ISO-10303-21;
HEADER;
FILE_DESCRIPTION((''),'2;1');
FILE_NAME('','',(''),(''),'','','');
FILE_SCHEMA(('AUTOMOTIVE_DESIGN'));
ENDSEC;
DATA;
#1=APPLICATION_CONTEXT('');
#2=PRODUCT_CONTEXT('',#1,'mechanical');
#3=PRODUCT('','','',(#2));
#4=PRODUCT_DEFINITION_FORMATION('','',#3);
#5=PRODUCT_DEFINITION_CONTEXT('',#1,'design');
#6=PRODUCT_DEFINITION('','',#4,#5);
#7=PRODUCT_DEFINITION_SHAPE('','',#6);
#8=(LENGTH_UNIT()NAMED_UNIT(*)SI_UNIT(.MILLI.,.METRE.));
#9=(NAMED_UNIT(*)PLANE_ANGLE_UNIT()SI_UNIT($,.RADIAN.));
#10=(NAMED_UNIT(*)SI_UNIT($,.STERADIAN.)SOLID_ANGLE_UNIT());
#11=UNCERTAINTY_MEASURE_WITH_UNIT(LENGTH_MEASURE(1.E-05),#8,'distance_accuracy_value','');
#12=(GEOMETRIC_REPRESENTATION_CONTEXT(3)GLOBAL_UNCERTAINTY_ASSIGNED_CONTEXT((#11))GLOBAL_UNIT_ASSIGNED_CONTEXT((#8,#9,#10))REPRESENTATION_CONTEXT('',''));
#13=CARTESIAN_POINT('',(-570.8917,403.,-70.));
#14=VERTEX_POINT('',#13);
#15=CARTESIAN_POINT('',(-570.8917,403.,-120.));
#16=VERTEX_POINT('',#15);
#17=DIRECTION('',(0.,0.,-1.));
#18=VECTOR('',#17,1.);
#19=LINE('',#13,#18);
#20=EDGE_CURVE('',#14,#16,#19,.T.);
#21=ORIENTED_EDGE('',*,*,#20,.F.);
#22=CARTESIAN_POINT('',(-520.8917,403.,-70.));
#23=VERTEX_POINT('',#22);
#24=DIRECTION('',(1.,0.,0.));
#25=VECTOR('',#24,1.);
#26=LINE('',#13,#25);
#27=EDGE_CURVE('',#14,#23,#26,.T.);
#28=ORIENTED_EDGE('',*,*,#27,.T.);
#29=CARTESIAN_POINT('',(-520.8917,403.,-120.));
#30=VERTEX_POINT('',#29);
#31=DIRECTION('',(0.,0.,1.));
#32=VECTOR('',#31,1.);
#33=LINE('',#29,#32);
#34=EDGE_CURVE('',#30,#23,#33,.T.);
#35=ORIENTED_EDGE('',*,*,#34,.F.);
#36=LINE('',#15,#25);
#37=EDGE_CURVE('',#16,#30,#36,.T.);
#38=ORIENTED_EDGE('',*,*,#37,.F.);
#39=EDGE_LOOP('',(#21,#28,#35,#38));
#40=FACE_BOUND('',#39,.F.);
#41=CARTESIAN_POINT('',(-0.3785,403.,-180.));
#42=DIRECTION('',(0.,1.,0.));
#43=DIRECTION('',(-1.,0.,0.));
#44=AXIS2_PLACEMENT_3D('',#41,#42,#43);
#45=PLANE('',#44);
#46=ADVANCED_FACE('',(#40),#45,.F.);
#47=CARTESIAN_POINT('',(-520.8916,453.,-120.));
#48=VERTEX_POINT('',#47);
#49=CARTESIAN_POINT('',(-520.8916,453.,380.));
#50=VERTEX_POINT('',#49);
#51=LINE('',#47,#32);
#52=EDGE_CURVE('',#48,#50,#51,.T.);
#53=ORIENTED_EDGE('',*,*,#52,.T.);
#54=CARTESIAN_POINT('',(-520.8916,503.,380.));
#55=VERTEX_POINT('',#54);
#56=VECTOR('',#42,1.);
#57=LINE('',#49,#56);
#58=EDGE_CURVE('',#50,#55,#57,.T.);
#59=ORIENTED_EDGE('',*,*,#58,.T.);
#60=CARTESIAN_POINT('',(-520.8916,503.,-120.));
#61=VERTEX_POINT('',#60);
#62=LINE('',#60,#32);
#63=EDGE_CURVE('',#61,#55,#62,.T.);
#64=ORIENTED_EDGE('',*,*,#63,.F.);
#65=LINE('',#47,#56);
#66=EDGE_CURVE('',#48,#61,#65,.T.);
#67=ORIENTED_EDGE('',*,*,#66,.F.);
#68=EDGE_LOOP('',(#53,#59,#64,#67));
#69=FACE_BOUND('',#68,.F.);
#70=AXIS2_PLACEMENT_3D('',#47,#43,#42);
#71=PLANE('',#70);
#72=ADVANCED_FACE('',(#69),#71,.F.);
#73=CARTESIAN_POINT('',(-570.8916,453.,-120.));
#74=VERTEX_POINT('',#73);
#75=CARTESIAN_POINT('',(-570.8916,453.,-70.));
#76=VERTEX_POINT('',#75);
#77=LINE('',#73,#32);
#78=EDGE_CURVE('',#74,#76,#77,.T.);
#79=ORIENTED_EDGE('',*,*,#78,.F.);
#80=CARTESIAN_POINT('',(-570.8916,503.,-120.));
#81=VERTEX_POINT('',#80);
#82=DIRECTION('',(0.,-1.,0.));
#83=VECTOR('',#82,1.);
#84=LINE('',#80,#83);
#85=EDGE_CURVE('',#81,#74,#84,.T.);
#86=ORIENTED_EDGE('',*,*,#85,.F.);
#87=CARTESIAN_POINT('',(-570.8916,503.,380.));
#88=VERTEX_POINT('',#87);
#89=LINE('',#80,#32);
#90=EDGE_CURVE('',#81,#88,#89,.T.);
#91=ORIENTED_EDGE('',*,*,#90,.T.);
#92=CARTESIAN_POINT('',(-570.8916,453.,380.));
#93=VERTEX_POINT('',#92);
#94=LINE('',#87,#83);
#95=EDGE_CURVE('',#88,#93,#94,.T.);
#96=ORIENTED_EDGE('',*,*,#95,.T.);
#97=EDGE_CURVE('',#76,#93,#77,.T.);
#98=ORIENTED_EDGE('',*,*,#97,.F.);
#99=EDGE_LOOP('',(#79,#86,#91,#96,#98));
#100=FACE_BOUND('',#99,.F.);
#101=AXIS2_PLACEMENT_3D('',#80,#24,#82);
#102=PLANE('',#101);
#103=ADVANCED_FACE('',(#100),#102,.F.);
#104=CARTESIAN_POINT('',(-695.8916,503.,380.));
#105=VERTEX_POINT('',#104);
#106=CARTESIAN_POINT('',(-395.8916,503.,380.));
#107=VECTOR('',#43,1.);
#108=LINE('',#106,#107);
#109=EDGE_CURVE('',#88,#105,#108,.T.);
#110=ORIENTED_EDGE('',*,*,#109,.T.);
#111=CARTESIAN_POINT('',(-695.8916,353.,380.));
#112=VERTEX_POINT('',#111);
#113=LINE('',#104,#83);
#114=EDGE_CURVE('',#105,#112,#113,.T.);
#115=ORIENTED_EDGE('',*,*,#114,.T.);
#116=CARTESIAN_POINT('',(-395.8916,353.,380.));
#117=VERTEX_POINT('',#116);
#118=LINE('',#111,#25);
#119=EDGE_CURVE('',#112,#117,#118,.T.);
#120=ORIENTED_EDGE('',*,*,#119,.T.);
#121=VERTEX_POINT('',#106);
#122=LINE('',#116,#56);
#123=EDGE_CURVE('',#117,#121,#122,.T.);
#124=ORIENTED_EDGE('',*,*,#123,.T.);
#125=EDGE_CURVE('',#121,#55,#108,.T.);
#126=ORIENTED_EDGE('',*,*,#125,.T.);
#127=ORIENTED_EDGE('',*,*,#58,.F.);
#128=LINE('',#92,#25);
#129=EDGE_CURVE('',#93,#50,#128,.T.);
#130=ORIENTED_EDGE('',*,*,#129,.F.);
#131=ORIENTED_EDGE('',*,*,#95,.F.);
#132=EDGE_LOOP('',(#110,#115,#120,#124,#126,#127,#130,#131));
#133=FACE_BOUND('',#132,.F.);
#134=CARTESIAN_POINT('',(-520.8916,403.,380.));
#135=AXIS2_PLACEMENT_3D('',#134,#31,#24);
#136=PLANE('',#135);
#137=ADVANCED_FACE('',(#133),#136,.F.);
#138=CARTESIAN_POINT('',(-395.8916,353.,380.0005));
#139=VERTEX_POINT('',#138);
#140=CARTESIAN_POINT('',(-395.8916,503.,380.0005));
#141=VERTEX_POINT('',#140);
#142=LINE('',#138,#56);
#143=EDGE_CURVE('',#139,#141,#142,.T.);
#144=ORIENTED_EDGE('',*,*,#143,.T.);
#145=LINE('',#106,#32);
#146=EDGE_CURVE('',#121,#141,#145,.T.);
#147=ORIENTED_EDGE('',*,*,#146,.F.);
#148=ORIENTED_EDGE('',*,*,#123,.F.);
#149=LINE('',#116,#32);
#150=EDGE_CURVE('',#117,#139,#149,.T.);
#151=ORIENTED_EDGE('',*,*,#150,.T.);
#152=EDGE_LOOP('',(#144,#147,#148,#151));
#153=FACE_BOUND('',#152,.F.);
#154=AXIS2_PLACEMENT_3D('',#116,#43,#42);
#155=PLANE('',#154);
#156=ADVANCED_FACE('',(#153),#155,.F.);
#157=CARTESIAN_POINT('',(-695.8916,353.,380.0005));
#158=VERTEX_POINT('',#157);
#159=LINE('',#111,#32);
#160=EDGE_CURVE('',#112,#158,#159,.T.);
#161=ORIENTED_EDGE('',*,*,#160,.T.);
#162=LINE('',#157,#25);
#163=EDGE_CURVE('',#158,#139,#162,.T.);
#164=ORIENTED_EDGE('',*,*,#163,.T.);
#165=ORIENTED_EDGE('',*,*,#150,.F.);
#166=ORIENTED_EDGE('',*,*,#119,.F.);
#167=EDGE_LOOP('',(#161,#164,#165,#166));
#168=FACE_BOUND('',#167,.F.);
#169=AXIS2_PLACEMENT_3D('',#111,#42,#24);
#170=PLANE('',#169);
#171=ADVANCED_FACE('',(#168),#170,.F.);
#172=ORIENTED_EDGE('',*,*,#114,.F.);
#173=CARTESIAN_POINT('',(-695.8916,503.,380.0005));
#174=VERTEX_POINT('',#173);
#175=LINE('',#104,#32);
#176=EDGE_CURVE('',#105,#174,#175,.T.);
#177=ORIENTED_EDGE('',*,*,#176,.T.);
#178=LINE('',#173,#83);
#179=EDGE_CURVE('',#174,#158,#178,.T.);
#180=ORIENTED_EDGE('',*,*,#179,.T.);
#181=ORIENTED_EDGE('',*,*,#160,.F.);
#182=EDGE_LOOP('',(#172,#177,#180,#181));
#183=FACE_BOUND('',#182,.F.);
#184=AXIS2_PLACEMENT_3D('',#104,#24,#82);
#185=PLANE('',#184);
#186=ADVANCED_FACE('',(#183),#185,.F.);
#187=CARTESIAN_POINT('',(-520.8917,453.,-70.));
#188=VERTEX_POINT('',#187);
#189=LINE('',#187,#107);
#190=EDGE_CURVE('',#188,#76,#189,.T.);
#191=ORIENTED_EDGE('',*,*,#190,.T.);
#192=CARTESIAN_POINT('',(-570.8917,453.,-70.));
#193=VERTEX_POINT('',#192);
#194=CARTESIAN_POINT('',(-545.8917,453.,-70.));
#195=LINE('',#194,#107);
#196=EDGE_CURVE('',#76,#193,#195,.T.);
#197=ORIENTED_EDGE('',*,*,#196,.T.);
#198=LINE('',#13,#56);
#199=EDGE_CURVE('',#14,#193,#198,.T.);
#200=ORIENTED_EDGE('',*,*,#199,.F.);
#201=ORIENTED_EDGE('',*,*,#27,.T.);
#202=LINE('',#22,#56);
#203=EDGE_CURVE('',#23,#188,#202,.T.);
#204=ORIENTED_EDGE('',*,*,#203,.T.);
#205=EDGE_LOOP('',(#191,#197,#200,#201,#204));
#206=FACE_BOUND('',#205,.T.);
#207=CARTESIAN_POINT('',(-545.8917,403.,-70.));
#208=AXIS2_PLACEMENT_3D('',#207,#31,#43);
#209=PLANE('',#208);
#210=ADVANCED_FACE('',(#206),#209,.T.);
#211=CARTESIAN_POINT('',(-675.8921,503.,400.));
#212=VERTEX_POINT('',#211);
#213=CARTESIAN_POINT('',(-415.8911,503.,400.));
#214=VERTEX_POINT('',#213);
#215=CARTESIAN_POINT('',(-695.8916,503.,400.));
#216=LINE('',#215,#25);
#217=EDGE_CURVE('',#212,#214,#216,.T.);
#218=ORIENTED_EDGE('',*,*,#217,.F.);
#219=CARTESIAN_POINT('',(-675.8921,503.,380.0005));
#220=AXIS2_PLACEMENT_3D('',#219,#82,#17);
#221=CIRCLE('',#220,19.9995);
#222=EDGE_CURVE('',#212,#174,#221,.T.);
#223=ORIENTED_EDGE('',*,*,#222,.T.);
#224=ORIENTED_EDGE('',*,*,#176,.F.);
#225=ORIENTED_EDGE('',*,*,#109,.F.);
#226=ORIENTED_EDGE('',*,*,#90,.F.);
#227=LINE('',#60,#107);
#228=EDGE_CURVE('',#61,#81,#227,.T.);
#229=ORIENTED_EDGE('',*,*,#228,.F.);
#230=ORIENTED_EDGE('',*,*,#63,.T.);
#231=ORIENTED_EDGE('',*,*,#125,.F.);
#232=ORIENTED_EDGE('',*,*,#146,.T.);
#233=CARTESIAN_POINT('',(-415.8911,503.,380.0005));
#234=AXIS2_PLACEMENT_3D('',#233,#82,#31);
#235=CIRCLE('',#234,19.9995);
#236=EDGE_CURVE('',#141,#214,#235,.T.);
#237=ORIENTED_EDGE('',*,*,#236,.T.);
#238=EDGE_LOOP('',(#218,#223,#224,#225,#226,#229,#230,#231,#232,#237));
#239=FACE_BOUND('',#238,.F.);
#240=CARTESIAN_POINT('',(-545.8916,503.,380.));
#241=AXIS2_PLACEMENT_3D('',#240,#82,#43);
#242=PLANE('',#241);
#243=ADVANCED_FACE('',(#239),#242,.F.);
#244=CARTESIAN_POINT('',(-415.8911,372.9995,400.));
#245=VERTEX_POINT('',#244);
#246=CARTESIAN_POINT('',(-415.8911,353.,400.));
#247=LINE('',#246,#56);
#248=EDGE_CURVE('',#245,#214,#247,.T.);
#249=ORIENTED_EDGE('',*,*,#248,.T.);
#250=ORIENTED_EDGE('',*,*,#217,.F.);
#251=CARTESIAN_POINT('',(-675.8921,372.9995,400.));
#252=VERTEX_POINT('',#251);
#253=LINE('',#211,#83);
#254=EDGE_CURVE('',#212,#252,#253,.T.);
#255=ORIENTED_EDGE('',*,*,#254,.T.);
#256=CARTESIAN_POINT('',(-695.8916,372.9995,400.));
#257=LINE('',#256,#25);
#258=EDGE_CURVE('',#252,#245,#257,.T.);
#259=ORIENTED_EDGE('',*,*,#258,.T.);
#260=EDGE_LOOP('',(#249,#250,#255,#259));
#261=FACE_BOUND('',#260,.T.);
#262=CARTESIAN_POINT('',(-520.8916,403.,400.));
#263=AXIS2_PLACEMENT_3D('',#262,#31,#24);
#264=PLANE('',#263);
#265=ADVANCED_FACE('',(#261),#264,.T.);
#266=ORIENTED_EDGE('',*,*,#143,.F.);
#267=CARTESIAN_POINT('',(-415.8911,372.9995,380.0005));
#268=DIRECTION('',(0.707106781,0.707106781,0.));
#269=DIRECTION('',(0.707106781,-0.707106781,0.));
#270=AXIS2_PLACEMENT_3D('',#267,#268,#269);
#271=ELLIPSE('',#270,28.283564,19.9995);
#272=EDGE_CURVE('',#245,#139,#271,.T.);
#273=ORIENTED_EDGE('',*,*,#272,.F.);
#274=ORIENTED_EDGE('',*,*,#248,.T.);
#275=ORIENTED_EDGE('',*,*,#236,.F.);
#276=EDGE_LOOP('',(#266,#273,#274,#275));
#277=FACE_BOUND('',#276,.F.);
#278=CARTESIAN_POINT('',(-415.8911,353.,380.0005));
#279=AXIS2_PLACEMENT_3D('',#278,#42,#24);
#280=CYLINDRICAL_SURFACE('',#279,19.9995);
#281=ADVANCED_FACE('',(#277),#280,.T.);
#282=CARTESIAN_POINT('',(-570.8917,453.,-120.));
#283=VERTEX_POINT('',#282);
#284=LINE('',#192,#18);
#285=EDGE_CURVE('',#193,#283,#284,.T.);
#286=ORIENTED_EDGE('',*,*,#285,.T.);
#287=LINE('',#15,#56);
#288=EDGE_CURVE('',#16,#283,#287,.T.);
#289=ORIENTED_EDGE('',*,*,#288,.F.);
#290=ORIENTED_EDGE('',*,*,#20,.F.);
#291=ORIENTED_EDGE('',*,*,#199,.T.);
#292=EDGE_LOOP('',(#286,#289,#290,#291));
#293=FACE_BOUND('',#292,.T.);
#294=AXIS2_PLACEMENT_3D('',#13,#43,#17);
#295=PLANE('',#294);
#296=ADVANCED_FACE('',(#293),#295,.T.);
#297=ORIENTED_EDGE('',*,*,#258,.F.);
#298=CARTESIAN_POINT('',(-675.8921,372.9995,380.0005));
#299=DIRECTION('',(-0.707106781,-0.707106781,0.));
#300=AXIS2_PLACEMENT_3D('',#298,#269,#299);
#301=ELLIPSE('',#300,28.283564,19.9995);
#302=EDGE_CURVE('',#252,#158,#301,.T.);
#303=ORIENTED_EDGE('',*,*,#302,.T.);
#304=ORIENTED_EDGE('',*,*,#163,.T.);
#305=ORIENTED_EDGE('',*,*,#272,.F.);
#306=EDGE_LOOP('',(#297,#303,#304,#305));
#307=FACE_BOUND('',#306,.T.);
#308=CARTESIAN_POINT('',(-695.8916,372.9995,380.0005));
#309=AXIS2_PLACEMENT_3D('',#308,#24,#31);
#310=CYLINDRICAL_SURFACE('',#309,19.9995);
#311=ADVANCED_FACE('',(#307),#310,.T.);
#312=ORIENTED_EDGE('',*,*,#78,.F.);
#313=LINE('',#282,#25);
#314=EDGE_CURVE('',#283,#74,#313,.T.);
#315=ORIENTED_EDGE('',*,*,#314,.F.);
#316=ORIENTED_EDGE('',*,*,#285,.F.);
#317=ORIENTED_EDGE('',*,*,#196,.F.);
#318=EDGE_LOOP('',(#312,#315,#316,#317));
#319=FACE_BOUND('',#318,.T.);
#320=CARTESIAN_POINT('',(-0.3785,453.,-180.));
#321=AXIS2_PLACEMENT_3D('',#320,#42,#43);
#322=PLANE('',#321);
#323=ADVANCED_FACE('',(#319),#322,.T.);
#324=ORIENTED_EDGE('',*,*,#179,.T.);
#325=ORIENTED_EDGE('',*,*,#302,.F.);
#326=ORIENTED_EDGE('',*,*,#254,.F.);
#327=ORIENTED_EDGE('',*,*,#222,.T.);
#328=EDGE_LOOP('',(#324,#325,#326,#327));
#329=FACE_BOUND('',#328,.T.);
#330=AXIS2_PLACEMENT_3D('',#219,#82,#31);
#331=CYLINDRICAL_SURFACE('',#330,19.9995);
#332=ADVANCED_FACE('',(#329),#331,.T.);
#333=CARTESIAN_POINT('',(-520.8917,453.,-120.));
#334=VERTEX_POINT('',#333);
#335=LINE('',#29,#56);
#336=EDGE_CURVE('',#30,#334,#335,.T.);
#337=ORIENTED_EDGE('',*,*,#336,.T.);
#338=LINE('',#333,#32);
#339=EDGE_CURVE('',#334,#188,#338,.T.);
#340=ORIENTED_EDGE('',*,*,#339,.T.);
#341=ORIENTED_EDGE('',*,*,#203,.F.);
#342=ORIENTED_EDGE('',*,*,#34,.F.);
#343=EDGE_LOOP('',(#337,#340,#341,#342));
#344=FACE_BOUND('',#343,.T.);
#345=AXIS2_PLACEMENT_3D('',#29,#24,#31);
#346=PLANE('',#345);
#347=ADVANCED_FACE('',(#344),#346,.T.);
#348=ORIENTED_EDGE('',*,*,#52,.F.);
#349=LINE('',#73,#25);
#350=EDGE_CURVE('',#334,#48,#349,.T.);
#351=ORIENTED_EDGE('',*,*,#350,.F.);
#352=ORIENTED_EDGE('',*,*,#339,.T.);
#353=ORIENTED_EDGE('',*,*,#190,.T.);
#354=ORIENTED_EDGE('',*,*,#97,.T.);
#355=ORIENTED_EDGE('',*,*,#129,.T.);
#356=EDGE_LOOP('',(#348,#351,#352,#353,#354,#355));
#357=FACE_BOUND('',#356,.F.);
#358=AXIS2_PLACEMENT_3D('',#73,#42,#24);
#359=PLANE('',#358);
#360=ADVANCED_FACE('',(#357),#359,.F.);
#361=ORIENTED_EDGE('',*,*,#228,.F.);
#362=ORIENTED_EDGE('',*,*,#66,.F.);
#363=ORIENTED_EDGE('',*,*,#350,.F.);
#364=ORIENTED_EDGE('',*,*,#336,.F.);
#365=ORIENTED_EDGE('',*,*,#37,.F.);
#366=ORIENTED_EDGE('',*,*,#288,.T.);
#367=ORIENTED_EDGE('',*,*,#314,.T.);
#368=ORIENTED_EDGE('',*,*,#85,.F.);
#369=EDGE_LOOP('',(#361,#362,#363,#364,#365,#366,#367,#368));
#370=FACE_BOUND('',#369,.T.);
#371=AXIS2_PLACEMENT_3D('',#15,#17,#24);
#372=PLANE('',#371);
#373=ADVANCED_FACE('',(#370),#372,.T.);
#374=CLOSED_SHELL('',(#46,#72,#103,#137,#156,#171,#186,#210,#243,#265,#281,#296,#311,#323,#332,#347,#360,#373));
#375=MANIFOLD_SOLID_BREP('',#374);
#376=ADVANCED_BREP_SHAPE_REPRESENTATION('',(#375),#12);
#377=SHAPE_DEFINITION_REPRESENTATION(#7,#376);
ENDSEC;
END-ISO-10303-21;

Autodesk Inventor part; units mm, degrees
ref_plane "YZ Plane" through (0, 0, 0) normal (1, 0, 0) x (0, 1, 0)
ref_plane "XZ Plane" through (0, 0, 0) normal (0, 1, 0) x (-1, 0, 0)
ref_plane "XY Plane" through (0, 0, 0) normal (0, 0, 1) x (1, 0, 0)
ref_plane "Work Plane1" through (-0.3785, 403, -180) normal (0, 1, 0) x (-1, 0, 0)
sketch "Sketch1" plane through (-0.3785, 403, -180) normal (0, 1, 0) x (-1, 0, 0)
  line L0 (545.5132, 110) -> (570.5132, 110)
  line L1 (570.5132, 110) -> (570.5132, 60)
  line L2 (570.5132, 60) -> (545.5132, 60)
  line L3 (545.5132, 60) -> (520.5132, 60)
  line L4 (520.5132, 60) -> (520.5132, 110)
  line L5 (520.5132, 110) -> (545.5132, 110)
  point P0 (-0.3785, 180)
  dimension "d2" = 25
  dimension "d3" = 25
extrude "Extrusion1" add sketch "Sketch1" along normal blind 50
sketch "Sketch2" plane through (-520.8916, 403, -120) normal (0, 0, -1) x (-1, 0, 0)
  line L0 (50, 50) -> (0, 50) projected
  line L1 (50, 50) -> (0, 50)
  line L2 (0, 50) -> (0, 100)
  line L3 (0, 100) -> (50, 100)
  line L4 (50, 100) -> (50, 50)
  point P0 (-520.8916, -403)
  dimension "d6" = 50
extrude "Extrusion2" add sketch "Sketch2" against normal blind 500
sketch "Sketch3" plane through (-520.8916, 403, 380) normal (0, 0, 1) x (1, 0, 0)
  line L0 (0, 100) -> (-50, 100) projected
  line L1 (-50, 100) -> (-50, 50) projected
  line L2 (-50, 50) -> (0, 50) projected
  line L3 (0, 50) -> (0, 100) projected
  line L4 (-25, 100) -> (125, 100)
  line L5 (125, 100) -> (-175, 100)
  line L6 (-175, 100) -> (-175, -50)
  line L7 (-175, -50) -> (125, -50)
  line L8 (125, -50) -> (125, 100)
  point P0 (520.8916, -403)
  dimension "d9" = 150
  dimension "d10" = 300
  dimension "d11" = 150
extrude "Extrusion3" add sketch "Sketch3" along normal blind 20
fillet "Fillet1" radius 20 3 edges at (-695.8916, 428, 400) (-545.8916, 353, 400) (-395.8916, 428, 400)
